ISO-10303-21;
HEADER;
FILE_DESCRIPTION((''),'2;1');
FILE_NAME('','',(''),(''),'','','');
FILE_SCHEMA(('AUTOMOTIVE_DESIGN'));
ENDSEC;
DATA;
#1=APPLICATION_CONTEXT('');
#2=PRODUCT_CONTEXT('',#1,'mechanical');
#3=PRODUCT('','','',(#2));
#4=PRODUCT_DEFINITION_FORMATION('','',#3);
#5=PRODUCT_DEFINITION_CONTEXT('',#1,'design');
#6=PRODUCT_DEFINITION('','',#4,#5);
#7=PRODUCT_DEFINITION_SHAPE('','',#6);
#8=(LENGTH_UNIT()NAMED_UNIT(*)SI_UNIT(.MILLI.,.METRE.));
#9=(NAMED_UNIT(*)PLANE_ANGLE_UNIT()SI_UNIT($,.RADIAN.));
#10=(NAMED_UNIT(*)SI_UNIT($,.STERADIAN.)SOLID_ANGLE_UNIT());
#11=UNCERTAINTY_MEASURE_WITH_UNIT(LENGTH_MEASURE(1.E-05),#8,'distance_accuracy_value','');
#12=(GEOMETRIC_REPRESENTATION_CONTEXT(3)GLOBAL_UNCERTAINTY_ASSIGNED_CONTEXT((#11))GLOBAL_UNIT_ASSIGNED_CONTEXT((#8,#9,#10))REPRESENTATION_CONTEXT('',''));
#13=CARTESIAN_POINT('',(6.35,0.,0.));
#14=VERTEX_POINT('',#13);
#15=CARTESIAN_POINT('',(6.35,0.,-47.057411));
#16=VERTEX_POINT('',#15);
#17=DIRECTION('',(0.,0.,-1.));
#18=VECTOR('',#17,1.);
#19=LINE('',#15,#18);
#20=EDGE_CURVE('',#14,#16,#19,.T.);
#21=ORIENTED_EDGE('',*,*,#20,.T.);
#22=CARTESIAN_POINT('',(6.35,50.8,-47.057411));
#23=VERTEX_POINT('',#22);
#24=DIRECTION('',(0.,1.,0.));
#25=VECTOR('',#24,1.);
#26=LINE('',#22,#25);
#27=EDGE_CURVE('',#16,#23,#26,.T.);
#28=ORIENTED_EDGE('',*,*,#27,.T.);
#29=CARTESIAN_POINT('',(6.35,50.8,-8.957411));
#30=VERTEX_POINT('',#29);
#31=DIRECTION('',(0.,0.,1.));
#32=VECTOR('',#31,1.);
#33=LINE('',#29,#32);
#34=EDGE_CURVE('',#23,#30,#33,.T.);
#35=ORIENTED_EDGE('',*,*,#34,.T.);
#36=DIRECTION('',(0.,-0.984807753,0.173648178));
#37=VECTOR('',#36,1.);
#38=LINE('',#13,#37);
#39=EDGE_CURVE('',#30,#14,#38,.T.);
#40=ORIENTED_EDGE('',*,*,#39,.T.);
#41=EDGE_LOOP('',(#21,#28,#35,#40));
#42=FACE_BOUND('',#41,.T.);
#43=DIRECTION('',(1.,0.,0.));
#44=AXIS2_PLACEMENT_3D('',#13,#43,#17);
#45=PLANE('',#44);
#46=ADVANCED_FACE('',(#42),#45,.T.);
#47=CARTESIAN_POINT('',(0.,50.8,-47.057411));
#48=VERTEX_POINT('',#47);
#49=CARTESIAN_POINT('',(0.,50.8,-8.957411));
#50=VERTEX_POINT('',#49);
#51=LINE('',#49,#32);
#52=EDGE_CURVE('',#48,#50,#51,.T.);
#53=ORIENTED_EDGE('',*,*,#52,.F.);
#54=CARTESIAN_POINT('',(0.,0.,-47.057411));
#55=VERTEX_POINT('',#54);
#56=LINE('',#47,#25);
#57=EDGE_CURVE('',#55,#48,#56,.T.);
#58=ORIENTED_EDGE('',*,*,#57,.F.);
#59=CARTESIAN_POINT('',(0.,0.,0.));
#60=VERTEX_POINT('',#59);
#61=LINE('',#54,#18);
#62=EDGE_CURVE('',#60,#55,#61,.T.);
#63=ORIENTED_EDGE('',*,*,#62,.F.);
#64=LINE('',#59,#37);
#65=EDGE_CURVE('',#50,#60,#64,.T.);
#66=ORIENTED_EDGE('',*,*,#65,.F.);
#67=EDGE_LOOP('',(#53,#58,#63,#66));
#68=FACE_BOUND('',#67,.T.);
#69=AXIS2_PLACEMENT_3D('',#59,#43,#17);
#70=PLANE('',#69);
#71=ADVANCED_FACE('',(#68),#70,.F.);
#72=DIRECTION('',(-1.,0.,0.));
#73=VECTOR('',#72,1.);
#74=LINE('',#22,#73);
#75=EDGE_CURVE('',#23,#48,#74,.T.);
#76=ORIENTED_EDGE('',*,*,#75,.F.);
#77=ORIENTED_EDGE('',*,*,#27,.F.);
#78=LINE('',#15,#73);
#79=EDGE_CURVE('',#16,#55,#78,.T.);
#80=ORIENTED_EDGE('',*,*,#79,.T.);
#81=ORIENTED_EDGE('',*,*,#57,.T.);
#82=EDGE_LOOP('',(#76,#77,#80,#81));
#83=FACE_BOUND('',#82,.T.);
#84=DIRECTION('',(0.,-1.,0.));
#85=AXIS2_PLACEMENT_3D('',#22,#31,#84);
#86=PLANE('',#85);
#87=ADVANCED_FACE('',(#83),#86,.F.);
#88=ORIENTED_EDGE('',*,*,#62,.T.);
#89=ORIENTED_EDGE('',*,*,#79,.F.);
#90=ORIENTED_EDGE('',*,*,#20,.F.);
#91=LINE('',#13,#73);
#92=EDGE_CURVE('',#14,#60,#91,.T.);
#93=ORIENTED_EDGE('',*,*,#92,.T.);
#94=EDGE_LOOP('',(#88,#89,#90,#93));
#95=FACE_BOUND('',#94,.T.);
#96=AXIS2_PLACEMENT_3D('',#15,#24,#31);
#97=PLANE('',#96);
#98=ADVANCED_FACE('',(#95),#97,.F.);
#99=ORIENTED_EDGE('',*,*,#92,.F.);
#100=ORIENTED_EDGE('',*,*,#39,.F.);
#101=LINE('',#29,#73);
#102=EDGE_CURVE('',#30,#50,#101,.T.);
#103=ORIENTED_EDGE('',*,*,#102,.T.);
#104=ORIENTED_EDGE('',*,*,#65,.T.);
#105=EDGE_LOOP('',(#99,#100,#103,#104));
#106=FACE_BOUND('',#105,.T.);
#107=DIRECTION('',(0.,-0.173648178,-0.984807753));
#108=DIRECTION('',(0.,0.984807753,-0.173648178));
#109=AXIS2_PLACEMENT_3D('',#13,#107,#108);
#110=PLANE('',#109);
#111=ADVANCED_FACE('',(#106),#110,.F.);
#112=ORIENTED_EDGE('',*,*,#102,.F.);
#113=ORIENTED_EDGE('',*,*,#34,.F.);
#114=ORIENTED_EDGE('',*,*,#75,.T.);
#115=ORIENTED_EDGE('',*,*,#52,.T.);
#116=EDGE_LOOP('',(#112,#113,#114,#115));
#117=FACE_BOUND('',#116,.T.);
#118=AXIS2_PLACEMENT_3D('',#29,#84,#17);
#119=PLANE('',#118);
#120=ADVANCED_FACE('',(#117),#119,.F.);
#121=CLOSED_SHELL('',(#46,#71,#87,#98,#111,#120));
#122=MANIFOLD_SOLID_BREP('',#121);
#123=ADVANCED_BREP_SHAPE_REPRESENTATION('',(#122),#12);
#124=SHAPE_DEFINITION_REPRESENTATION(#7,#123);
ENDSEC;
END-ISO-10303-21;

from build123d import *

# Parameters (mm, degrees)
BOSS_EXTRUDE1_DEPTH = 6.35


with BuildPart() as part:
    # Sketch1 → Boss-Extrude1 (new body)
    with BuildSketch(Plane(origin=(0, 0, 0), x_dir=(0, 0, -1), z_dir=(1, 0, 0))):
        Polygon((0, 0), (8.95741062, 50.8), (47.05741062, 50.8), (47.05741062, 0), align=None)
    extrude(amount=BOSS_EXTRUDE1_DEPTH)


solid = part.part
